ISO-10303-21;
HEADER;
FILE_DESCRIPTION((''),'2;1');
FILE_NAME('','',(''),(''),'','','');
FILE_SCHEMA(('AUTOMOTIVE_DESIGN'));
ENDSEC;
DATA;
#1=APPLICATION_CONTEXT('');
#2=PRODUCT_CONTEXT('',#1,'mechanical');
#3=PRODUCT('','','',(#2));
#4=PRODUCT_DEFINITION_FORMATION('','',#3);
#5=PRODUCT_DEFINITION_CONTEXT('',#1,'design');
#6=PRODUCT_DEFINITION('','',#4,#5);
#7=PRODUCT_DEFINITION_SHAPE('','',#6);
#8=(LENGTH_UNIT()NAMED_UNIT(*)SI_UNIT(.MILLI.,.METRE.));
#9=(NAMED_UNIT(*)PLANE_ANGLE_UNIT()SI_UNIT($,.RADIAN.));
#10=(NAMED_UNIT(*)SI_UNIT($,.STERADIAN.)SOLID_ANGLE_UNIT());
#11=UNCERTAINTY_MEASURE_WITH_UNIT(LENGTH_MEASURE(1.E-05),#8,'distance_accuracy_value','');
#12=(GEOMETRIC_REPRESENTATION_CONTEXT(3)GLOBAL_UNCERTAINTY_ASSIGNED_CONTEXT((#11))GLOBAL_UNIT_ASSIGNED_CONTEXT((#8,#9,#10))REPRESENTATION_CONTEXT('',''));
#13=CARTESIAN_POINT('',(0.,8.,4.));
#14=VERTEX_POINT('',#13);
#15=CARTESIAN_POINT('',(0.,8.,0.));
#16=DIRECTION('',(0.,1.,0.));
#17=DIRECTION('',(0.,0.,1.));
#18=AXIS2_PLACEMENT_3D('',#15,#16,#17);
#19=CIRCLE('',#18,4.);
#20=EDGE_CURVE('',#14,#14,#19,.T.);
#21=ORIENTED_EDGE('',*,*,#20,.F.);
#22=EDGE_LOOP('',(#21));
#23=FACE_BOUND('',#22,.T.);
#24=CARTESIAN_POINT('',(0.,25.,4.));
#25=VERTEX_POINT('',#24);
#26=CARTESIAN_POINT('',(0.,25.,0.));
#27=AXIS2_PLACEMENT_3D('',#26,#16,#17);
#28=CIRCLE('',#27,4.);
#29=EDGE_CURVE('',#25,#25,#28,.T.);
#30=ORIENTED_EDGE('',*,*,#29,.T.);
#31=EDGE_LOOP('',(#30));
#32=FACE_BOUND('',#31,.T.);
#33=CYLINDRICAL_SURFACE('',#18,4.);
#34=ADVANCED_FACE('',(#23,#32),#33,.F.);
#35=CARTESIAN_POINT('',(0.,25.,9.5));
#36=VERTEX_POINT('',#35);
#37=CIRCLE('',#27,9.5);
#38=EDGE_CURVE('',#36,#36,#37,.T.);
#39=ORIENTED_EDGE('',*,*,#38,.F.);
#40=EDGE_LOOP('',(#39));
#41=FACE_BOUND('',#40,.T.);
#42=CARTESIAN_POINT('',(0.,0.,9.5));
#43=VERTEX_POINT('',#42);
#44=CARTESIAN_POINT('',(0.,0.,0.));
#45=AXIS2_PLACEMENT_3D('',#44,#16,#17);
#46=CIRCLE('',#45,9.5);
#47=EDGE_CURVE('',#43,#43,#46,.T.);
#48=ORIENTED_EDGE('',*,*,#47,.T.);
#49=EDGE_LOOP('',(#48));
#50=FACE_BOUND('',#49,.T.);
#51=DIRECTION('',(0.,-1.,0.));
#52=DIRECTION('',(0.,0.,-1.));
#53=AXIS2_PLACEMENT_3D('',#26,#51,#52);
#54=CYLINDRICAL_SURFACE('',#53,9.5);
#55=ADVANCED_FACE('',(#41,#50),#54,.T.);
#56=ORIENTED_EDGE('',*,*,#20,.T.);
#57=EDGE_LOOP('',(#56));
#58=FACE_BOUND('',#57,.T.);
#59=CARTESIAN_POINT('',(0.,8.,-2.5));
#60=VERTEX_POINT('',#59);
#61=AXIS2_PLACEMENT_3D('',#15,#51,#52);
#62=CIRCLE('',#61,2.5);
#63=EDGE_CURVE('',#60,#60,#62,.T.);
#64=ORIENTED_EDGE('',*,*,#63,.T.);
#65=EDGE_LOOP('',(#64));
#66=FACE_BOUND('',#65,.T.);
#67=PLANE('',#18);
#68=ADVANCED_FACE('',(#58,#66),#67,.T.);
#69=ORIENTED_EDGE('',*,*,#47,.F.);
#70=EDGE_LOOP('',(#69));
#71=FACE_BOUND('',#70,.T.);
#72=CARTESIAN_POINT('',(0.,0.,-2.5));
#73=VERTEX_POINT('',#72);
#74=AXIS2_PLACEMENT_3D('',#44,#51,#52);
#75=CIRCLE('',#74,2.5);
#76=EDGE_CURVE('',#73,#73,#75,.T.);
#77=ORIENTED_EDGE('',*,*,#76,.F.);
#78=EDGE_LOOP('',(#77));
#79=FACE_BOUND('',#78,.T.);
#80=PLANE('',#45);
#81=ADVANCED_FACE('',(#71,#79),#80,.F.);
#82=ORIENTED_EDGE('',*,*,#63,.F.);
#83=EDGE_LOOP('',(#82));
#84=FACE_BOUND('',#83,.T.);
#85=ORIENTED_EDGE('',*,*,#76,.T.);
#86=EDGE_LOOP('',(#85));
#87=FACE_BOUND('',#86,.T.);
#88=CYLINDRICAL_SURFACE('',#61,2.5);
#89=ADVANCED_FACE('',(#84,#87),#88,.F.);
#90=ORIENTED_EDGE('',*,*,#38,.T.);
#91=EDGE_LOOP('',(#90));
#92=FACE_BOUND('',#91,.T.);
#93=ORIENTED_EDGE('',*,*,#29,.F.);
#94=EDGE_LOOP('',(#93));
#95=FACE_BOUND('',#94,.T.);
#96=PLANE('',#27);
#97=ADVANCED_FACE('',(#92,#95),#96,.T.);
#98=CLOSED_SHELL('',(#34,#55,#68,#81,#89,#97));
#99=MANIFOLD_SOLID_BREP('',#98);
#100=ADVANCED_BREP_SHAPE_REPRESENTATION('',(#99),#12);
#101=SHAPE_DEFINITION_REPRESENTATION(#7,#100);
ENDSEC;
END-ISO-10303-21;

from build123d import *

# Parameters (mm, degrees)
CROQUIS1_R              = 9.5
SALIENTE_EXTRUIR1_DEPTH = 25
CROQUIS2_R              = 4
CORTAR_EXTRUIR1_DEPTH   = 17
CROQUIS3_R              = 2.5
CORTAR_EXTRUIR2_DEPTH   = 8


with BuildPart() as part:
    # Croquis1 → Saliente-Extruir1 (new body)
    with BuildSketch(Plane(origin=(0, 0, 0), x_dir=(1, 0, 0), z_dir=(0, 1, 0))):
        Circle(CROQUIS1_R)
    extrude(amount=SALIENTE_EXTRUIR1_DEPTH)

    # Croquis2 → Cortar-Extruir1 (cut)
    with BuildSketch(Plane(origin=(0, 25, 0), x_dir=(1, 0, 0), z_dir=(0, 1, 0))):
        Circle(CROQUIS2_R)
    extrude(amount=-CORTAR_EXTRUIR1_DEPTH, mode=Mode.SUBTRACT)

    # Croquis3 → Cortar-Extruir2 (cut)
    with BuildSketch(Plane.XZ):
        Circle(CROQUIS3_R)
    extrude(amount=-CORTAR_EXTRUIR2_DEPTH, mode=Mode.SUBTRACT)


solid = part.part
